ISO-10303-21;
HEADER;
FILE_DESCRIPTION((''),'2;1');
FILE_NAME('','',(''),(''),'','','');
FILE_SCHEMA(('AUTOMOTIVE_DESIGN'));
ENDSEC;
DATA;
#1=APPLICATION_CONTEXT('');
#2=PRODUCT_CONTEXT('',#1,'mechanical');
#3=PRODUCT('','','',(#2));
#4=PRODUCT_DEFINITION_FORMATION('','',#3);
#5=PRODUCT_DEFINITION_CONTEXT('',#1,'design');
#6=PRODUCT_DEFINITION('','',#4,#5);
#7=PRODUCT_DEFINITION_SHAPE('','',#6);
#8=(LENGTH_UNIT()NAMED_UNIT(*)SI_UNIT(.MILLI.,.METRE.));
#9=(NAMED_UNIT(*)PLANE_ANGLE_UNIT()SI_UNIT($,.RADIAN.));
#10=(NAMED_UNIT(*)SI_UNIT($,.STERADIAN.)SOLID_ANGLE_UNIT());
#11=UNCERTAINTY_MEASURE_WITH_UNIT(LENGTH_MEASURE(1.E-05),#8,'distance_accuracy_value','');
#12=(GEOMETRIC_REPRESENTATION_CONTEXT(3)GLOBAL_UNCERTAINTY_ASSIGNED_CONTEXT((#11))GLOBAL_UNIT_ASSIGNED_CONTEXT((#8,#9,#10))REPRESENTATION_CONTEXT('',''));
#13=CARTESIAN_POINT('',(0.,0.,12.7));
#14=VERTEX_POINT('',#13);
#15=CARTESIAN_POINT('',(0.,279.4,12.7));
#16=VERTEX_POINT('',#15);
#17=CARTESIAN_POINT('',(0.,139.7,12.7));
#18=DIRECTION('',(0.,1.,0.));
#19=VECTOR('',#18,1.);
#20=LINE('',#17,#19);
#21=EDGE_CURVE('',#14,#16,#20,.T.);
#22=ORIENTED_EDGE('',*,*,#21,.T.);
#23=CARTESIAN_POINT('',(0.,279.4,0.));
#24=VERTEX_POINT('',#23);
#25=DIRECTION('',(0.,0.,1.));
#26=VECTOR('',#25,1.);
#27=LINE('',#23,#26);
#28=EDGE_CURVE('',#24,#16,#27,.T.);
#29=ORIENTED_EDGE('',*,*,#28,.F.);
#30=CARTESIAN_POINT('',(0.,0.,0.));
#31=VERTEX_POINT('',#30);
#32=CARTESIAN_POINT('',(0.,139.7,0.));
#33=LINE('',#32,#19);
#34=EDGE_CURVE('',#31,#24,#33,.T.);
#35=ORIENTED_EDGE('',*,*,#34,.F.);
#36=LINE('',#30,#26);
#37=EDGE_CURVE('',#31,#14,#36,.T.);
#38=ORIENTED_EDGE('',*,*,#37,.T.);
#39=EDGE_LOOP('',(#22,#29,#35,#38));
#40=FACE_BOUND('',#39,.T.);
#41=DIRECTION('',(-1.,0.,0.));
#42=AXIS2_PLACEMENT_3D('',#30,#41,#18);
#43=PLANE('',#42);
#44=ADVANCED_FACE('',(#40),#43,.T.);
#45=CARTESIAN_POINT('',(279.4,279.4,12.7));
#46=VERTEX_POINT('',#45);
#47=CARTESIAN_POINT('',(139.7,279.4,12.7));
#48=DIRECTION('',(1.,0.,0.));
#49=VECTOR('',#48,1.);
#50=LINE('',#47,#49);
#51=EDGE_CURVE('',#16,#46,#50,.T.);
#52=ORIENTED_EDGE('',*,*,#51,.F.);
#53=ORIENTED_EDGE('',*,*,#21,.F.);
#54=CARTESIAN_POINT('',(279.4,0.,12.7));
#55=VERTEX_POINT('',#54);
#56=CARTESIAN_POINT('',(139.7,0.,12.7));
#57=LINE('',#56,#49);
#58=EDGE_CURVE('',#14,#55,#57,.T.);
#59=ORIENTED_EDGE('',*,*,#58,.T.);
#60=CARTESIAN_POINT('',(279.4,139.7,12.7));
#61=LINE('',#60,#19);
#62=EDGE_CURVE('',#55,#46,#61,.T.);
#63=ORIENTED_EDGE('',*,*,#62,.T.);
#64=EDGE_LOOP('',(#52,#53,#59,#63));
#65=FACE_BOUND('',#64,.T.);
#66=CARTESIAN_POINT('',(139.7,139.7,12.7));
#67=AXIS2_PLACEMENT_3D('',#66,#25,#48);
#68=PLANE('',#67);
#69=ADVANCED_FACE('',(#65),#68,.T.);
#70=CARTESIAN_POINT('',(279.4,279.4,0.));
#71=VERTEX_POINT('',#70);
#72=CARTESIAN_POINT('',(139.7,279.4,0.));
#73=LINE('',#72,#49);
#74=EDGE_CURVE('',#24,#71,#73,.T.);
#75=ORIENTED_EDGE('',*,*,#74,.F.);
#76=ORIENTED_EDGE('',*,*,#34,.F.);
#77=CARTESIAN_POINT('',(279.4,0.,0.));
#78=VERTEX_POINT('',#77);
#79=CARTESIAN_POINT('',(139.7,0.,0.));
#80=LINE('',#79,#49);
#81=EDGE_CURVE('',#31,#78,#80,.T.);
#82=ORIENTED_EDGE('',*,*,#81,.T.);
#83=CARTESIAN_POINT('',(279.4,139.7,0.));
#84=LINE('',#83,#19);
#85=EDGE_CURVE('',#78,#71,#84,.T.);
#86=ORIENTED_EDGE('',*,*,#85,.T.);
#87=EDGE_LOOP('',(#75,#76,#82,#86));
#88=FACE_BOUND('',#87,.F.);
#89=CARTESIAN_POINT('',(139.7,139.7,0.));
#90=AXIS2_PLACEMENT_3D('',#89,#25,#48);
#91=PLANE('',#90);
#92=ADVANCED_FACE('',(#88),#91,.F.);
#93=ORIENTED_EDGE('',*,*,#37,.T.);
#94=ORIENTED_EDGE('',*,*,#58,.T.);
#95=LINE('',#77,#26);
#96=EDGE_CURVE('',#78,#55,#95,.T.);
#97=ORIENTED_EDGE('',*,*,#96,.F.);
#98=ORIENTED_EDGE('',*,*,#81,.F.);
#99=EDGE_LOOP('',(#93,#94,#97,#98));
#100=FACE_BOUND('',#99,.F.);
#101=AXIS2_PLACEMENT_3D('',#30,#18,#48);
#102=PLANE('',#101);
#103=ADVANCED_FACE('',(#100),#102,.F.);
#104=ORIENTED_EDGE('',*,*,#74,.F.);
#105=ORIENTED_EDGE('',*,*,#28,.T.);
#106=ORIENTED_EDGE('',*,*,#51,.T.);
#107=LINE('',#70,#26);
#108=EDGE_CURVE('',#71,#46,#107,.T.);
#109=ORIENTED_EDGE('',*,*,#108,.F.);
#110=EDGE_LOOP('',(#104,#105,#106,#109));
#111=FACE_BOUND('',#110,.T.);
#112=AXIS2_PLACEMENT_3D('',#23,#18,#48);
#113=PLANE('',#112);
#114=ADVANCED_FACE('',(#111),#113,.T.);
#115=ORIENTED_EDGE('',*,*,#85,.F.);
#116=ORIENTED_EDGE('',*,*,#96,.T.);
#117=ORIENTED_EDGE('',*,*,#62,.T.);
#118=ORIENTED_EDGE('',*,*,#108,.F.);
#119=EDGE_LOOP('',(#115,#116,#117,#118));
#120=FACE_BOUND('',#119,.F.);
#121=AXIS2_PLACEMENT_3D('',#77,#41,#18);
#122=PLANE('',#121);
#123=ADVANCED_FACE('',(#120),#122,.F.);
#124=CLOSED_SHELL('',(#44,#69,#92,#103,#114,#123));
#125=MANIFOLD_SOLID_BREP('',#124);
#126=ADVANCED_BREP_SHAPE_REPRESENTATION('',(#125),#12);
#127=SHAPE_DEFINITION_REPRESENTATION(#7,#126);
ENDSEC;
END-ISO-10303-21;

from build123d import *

# Parameters (mm, degrees)
SKETCH1_W           = 279.4
SKETCH1_H           = 279.4
BOSS_EXTRUDE1_DEPTH = 12.7


with BuildPart() as part:
    # Sketch1 → Boss-Extrude1 (new body)
    with BuildSketch(Plane.XY):
        with Locations((139.7, 139.7)):
            Rectangle(SKETCH1_W, SKETCH1_H)
    extrude(amount=BOSS_EXTRUDE1_DEPTH)


solid = part.part
